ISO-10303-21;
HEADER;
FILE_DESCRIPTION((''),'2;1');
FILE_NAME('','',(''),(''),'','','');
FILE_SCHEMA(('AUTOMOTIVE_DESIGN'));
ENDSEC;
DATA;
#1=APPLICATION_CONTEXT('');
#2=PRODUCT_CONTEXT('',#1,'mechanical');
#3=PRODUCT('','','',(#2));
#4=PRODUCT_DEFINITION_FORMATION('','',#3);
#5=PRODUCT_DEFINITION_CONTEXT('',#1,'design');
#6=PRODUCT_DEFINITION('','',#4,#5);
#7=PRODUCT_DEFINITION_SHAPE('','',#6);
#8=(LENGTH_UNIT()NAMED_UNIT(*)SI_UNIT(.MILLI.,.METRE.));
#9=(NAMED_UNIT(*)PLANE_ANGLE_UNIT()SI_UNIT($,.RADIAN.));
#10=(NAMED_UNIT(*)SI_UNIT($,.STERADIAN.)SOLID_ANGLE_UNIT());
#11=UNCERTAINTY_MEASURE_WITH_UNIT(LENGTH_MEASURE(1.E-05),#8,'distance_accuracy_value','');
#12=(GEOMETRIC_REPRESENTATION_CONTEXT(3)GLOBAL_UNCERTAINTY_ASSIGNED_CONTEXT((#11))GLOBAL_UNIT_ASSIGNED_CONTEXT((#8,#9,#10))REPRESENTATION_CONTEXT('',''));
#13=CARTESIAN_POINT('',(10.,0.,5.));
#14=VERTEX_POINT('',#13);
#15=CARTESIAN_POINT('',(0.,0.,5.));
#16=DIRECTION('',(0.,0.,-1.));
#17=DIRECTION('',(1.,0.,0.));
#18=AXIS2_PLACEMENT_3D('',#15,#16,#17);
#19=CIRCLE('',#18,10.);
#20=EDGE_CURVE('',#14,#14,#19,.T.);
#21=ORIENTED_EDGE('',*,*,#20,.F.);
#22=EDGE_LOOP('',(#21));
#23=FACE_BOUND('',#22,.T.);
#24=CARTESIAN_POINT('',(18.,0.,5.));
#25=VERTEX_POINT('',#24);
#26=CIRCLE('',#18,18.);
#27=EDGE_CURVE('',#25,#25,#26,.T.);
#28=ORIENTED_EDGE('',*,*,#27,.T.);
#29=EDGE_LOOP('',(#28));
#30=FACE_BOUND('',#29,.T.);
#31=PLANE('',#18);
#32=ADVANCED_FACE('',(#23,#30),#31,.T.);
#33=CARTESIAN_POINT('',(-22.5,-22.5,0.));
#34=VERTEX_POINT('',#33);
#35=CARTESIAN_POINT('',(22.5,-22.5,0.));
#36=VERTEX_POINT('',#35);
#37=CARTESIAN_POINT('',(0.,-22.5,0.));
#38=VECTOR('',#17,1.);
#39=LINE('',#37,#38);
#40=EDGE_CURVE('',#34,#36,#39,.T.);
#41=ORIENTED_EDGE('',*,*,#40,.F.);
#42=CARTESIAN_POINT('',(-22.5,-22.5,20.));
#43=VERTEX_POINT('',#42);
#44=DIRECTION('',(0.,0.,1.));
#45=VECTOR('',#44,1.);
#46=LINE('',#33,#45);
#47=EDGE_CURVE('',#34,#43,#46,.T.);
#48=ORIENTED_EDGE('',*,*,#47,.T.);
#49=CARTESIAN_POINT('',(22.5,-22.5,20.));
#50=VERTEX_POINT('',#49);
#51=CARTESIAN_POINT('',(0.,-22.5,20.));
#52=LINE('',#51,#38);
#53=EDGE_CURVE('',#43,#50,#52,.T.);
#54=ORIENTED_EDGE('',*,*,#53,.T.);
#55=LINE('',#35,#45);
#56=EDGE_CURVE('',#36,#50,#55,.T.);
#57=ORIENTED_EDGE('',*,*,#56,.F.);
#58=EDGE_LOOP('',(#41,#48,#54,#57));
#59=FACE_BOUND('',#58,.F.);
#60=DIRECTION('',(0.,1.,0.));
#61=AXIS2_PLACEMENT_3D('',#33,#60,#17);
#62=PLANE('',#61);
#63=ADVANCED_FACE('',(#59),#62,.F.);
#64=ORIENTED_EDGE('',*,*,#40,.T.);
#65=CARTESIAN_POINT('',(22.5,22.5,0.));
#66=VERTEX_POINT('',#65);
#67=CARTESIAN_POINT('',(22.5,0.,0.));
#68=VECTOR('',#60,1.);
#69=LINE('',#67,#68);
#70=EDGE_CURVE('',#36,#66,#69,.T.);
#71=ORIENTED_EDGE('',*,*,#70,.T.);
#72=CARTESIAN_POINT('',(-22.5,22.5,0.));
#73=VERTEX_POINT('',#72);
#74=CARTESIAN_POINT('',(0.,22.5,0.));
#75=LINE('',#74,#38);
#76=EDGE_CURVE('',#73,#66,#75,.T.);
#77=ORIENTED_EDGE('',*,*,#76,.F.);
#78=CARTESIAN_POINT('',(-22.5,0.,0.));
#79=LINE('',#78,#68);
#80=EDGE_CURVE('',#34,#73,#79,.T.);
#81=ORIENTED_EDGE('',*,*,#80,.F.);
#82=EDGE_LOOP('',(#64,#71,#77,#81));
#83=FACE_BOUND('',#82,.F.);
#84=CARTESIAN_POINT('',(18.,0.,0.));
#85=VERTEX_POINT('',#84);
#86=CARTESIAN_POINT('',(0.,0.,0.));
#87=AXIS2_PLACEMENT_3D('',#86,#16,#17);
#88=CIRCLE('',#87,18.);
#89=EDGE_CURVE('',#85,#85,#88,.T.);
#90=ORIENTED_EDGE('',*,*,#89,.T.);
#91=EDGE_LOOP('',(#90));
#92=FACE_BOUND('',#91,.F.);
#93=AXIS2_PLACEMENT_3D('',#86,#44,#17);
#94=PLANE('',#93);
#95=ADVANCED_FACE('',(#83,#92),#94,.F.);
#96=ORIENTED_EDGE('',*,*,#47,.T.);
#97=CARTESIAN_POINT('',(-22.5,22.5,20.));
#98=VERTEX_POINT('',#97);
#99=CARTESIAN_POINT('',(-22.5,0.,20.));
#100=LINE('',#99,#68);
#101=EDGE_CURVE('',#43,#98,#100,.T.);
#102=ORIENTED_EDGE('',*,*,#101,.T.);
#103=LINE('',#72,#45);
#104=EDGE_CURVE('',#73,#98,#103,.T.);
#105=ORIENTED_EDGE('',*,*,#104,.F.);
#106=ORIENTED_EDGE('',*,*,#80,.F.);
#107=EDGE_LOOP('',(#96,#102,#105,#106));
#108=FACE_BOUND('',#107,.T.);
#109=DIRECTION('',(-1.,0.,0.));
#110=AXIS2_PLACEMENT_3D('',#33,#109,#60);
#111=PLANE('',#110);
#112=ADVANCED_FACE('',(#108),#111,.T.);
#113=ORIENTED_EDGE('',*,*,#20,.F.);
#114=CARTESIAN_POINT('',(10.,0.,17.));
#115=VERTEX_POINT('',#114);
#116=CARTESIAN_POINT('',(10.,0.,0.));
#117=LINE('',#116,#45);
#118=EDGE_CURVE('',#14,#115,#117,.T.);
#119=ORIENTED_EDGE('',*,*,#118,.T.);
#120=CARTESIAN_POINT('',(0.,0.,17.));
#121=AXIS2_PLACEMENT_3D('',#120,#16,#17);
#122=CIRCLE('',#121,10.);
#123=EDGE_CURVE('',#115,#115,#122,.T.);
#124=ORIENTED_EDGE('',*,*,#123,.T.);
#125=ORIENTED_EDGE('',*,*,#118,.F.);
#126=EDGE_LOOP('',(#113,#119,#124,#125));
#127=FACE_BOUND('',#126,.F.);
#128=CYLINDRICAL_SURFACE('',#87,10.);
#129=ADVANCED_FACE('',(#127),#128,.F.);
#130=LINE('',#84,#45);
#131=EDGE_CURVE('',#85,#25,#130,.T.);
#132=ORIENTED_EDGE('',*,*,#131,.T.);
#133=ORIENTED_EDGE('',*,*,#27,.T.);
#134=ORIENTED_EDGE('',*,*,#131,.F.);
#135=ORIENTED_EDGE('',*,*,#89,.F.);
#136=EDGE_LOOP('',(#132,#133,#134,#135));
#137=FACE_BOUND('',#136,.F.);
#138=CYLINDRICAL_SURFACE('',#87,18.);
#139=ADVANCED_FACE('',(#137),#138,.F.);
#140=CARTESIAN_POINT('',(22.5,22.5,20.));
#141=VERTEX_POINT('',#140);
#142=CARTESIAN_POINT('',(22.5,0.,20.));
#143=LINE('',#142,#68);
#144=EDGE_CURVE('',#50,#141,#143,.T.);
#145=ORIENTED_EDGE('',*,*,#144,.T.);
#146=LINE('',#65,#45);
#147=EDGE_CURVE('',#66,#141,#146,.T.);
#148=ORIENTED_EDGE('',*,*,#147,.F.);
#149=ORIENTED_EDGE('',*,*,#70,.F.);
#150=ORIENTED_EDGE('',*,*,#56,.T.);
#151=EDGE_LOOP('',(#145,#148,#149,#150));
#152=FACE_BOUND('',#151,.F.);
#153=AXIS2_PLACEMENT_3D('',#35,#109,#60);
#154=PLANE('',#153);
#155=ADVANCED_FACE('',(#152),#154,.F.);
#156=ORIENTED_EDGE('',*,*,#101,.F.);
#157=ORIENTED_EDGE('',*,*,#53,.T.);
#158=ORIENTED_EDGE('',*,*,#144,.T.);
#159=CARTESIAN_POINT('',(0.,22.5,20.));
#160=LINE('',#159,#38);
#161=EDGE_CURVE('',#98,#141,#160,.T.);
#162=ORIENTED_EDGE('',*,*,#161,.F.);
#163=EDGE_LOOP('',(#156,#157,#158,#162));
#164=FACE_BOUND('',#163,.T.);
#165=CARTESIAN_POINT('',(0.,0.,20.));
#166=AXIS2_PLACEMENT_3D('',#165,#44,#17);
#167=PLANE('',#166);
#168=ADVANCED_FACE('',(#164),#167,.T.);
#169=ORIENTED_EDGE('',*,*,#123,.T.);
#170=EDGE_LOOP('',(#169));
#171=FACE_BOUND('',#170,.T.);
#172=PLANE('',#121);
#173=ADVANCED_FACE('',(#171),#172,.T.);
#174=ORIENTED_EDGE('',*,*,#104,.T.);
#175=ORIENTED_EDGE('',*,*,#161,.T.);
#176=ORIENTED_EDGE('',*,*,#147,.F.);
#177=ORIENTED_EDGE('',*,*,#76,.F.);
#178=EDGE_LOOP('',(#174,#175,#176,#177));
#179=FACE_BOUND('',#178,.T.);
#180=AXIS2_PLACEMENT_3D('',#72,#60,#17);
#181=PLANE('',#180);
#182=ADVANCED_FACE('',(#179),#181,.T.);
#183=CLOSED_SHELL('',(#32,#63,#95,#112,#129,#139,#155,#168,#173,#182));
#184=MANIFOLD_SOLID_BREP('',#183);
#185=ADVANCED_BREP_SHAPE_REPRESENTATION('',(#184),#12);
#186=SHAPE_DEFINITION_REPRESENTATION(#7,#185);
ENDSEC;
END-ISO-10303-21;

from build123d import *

# Parameters (mm, degrees)
F0_W     = 45
F0_H     = 45
F1_DEPTH = 20
F2_R     = 10
F4_DEPTH = 17
F3_R     = 18
F3_R_2   = 10
F5_DEPTH = 5


with BuildPart() as f1:
    # F0 (on Top) → F1 (new body)
    with BuildSketch(Plane.XY):
        Rectangle(F0_W, F0_H)
    extrude(amount=F1_DEPTH)

    # F2 (on face) → F4 (cut)
    with BuildSketch(Plane(origin=(0, 0, 0), x_dir=(1, 0, 0), z_dir=(0, 0, -1))):
        Circle(F2_R)
    extrude(amount=-F4_DEPTH, mode=Mode.SUBTRACT)

    # F3 (on face) → F5 (cut)
    with BuildSketch(Plane(origin=(0, 0, 0), x_dir=(1, 0, 0), z_dir=(0, 0, -1))):
        Circle(F3_R)
        Circle(F3_R_2, mode=Mode.SUBTRACT)
    extrude(amount=-F5_DEPTH, mode=Mode.SUBTRACT)


solid = f1.part
